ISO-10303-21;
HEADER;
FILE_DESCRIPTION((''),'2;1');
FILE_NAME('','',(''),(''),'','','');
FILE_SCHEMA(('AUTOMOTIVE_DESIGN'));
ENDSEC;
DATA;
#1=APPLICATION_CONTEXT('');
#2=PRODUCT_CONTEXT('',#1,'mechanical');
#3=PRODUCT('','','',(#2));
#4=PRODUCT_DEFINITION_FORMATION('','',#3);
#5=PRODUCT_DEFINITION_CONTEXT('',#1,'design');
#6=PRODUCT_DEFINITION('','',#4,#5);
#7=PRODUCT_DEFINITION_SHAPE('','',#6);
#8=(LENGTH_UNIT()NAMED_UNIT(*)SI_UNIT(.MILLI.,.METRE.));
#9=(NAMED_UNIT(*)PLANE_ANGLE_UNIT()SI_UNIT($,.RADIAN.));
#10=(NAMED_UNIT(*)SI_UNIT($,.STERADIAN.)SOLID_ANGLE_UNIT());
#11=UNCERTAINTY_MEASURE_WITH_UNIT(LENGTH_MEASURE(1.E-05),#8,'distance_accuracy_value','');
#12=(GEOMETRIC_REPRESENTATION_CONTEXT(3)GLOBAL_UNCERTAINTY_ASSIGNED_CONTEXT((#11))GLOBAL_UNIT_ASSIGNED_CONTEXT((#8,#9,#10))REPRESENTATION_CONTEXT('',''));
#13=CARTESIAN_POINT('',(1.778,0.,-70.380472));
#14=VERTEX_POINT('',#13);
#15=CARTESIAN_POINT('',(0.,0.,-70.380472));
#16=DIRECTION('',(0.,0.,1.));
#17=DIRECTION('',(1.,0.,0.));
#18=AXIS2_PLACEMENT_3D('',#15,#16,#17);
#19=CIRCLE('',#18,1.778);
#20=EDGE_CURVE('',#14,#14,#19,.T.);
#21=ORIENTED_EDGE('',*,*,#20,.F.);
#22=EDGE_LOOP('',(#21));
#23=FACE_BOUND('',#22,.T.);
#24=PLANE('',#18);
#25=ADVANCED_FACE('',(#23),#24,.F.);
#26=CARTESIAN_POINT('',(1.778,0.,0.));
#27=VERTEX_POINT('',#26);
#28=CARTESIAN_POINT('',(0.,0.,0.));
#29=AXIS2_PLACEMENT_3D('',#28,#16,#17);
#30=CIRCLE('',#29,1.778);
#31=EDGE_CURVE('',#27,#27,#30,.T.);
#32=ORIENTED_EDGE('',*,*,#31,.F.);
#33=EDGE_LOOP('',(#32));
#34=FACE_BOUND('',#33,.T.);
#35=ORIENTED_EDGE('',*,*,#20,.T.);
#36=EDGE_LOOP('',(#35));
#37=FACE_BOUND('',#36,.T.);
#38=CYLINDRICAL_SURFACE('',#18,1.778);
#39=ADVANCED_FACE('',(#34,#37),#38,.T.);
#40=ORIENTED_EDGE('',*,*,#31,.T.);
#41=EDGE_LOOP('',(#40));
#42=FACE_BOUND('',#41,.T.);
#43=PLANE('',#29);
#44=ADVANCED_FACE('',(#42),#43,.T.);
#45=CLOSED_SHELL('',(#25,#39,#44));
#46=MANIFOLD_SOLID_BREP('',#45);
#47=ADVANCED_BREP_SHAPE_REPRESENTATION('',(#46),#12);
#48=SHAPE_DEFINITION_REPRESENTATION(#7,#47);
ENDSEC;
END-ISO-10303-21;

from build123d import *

# Parameters (mm, degrees)
SKETCH1_R           = 1.778
BOSS_EXTRUDE1_DEPTH = 70.3804719


with BuildPart() as part:
    # Sketch1 → Boss-Extrude1 (new body)
    with BuildSketch(Plane.XY):
        Circle(SKETCH1_R)
    extrude(amount=-BOSS_EXTRUDE1_DEPTH)


solid = part.part
